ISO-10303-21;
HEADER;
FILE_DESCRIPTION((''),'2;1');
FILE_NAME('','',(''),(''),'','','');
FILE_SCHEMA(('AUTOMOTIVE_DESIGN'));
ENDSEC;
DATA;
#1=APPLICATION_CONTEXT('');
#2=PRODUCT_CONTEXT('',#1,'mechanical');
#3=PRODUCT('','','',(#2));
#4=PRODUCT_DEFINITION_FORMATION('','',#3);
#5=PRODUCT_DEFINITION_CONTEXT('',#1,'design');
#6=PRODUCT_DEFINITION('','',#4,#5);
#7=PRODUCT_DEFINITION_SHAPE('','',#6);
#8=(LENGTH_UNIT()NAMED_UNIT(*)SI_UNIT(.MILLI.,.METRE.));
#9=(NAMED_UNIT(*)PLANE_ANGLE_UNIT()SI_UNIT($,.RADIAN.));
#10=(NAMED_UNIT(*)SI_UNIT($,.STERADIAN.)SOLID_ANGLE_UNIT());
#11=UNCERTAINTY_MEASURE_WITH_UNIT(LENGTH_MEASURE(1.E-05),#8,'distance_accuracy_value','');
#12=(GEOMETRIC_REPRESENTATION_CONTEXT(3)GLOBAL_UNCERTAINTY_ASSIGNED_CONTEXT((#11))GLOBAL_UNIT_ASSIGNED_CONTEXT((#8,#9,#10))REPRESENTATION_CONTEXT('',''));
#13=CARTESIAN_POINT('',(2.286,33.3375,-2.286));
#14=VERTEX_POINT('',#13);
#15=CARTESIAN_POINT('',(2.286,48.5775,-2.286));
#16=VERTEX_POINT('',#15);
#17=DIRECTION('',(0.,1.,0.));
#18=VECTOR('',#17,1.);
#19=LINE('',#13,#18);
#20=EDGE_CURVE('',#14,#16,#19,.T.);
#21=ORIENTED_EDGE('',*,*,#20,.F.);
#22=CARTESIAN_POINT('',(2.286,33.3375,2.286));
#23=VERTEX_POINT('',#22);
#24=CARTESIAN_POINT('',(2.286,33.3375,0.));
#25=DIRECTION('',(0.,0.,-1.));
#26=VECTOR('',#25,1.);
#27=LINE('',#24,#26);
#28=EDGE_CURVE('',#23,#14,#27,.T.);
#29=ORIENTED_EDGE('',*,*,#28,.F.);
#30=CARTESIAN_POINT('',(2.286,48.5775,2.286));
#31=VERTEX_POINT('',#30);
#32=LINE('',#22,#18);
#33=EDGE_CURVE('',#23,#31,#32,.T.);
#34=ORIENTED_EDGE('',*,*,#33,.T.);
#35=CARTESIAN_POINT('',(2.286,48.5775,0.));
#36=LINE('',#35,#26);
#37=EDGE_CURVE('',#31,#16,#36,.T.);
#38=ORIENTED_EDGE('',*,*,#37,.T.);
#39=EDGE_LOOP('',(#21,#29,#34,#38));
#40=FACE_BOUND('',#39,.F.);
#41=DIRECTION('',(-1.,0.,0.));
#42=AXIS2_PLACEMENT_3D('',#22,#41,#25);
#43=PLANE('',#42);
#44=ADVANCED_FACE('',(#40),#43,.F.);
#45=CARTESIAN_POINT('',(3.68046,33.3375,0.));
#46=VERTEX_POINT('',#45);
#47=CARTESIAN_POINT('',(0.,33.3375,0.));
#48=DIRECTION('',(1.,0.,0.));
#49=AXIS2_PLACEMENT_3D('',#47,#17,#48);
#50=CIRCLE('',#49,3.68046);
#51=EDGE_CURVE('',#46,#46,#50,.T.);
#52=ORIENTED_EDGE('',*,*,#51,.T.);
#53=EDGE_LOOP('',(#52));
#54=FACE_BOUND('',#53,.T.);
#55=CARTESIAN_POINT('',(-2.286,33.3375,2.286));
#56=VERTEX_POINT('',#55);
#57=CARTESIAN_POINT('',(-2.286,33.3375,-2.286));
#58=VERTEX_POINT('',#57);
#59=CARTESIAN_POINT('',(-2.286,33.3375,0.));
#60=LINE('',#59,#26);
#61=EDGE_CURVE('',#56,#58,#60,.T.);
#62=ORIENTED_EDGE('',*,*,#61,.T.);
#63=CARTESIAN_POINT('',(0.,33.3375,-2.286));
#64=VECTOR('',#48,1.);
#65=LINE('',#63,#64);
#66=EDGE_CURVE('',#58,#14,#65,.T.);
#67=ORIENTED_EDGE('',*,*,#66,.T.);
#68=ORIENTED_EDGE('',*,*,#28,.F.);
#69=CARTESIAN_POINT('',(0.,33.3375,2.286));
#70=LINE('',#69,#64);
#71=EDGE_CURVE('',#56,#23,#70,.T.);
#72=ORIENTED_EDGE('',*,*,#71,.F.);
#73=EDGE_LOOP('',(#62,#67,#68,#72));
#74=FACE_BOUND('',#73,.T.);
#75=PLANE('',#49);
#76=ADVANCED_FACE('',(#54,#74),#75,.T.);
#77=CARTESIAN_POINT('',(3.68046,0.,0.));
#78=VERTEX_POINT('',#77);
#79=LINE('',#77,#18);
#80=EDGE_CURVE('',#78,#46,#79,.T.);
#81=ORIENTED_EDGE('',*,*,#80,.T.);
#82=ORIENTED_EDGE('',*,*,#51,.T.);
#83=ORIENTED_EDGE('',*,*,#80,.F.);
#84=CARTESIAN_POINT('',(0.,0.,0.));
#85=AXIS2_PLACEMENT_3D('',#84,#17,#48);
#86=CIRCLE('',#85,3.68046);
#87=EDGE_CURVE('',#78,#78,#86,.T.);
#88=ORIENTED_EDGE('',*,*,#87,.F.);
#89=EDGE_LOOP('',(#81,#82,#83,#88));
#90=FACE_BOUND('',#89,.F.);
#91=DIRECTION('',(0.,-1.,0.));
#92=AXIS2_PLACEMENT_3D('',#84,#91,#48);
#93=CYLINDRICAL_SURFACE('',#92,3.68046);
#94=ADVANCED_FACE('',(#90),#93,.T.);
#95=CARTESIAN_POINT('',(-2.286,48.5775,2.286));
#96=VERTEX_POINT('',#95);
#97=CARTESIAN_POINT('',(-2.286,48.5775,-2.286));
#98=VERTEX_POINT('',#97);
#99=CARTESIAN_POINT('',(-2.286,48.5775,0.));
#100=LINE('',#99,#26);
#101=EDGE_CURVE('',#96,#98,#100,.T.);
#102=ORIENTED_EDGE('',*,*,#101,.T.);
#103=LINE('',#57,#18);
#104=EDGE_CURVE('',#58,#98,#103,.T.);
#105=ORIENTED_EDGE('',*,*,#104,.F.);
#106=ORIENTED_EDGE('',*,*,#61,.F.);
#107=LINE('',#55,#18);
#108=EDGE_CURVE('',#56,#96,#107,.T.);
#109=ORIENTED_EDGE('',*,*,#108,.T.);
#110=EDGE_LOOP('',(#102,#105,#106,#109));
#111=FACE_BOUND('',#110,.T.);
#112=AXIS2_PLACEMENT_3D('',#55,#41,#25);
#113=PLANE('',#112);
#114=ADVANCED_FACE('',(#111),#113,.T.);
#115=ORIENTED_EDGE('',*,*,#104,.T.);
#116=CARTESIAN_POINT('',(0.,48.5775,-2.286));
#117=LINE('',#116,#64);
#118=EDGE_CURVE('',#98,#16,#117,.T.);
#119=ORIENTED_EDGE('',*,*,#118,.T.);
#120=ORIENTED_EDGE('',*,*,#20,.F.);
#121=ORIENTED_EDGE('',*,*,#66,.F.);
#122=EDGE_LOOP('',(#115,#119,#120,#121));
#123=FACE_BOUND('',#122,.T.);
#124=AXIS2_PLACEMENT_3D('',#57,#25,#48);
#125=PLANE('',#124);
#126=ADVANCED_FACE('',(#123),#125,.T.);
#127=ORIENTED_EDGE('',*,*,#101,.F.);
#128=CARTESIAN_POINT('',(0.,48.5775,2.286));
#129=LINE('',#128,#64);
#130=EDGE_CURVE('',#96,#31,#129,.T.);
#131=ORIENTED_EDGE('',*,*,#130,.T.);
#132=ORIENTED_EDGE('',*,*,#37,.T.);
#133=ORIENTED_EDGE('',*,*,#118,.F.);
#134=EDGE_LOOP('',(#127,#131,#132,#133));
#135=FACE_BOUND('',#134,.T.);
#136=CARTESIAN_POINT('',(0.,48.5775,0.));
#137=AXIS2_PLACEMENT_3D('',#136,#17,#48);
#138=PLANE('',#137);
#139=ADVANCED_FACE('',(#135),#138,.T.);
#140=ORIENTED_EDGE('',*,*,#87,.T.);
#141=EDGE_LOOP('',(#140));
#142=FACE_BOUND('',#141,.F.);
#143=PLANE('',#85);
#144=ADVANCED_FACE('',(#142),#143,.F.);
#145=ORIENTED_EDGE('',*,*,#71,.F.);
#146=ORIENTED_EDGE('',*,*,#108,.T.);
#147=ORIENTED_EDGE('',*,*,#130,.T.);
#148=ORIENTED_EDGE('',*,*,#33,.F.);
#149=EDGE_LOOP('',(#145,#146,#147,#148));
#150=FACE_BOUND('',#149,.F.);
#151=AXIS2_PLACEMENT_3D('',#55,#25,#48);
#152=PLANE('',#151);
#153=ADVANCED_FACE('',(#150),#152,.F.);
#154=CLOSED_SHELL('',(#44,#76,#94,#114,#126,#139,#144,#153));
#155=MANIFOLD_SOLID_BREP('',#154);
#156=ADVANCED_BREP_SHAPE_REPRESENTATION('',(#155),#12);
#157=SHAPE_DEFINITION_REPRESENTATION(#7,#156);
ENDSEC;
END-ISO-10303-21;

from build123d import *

# Parameters (mm, degrees)
SKETCH1_R           = 3.68046
BOSS_EXTRUDE1_DEPTH = 33.3375
SKETCH2_W           = 4.572
SKETCH2_H           = 4.572
BOSS_EXTRUDE2_DEPTH = 15.24


with BuildPart() as part:
    # Sketch1 → Boss-Extrude1 (new body)
    with BuildSketch(Plane(origin=(0, 0, 0), x_dir=(1, 0, 0), z_dir=(0, 1, 0))):
        Circle(SKETCH1_R)
    extrude(amount=BOSS_EXTRUDE1_DEPTH)

    # Sketch2 → Boss-Extrude2 (add)
    with BuildSketch(Plane(origin=(0, 33.3375, 0), x_dir=(1, 0, 0), z_dir=(0, 1, 0))):
        Rectangle(SKETCH2_W, SKETCH2_H)
    extrude(amount=BOSS_EXTRUDE2_DEPTH)


solid = part.part
